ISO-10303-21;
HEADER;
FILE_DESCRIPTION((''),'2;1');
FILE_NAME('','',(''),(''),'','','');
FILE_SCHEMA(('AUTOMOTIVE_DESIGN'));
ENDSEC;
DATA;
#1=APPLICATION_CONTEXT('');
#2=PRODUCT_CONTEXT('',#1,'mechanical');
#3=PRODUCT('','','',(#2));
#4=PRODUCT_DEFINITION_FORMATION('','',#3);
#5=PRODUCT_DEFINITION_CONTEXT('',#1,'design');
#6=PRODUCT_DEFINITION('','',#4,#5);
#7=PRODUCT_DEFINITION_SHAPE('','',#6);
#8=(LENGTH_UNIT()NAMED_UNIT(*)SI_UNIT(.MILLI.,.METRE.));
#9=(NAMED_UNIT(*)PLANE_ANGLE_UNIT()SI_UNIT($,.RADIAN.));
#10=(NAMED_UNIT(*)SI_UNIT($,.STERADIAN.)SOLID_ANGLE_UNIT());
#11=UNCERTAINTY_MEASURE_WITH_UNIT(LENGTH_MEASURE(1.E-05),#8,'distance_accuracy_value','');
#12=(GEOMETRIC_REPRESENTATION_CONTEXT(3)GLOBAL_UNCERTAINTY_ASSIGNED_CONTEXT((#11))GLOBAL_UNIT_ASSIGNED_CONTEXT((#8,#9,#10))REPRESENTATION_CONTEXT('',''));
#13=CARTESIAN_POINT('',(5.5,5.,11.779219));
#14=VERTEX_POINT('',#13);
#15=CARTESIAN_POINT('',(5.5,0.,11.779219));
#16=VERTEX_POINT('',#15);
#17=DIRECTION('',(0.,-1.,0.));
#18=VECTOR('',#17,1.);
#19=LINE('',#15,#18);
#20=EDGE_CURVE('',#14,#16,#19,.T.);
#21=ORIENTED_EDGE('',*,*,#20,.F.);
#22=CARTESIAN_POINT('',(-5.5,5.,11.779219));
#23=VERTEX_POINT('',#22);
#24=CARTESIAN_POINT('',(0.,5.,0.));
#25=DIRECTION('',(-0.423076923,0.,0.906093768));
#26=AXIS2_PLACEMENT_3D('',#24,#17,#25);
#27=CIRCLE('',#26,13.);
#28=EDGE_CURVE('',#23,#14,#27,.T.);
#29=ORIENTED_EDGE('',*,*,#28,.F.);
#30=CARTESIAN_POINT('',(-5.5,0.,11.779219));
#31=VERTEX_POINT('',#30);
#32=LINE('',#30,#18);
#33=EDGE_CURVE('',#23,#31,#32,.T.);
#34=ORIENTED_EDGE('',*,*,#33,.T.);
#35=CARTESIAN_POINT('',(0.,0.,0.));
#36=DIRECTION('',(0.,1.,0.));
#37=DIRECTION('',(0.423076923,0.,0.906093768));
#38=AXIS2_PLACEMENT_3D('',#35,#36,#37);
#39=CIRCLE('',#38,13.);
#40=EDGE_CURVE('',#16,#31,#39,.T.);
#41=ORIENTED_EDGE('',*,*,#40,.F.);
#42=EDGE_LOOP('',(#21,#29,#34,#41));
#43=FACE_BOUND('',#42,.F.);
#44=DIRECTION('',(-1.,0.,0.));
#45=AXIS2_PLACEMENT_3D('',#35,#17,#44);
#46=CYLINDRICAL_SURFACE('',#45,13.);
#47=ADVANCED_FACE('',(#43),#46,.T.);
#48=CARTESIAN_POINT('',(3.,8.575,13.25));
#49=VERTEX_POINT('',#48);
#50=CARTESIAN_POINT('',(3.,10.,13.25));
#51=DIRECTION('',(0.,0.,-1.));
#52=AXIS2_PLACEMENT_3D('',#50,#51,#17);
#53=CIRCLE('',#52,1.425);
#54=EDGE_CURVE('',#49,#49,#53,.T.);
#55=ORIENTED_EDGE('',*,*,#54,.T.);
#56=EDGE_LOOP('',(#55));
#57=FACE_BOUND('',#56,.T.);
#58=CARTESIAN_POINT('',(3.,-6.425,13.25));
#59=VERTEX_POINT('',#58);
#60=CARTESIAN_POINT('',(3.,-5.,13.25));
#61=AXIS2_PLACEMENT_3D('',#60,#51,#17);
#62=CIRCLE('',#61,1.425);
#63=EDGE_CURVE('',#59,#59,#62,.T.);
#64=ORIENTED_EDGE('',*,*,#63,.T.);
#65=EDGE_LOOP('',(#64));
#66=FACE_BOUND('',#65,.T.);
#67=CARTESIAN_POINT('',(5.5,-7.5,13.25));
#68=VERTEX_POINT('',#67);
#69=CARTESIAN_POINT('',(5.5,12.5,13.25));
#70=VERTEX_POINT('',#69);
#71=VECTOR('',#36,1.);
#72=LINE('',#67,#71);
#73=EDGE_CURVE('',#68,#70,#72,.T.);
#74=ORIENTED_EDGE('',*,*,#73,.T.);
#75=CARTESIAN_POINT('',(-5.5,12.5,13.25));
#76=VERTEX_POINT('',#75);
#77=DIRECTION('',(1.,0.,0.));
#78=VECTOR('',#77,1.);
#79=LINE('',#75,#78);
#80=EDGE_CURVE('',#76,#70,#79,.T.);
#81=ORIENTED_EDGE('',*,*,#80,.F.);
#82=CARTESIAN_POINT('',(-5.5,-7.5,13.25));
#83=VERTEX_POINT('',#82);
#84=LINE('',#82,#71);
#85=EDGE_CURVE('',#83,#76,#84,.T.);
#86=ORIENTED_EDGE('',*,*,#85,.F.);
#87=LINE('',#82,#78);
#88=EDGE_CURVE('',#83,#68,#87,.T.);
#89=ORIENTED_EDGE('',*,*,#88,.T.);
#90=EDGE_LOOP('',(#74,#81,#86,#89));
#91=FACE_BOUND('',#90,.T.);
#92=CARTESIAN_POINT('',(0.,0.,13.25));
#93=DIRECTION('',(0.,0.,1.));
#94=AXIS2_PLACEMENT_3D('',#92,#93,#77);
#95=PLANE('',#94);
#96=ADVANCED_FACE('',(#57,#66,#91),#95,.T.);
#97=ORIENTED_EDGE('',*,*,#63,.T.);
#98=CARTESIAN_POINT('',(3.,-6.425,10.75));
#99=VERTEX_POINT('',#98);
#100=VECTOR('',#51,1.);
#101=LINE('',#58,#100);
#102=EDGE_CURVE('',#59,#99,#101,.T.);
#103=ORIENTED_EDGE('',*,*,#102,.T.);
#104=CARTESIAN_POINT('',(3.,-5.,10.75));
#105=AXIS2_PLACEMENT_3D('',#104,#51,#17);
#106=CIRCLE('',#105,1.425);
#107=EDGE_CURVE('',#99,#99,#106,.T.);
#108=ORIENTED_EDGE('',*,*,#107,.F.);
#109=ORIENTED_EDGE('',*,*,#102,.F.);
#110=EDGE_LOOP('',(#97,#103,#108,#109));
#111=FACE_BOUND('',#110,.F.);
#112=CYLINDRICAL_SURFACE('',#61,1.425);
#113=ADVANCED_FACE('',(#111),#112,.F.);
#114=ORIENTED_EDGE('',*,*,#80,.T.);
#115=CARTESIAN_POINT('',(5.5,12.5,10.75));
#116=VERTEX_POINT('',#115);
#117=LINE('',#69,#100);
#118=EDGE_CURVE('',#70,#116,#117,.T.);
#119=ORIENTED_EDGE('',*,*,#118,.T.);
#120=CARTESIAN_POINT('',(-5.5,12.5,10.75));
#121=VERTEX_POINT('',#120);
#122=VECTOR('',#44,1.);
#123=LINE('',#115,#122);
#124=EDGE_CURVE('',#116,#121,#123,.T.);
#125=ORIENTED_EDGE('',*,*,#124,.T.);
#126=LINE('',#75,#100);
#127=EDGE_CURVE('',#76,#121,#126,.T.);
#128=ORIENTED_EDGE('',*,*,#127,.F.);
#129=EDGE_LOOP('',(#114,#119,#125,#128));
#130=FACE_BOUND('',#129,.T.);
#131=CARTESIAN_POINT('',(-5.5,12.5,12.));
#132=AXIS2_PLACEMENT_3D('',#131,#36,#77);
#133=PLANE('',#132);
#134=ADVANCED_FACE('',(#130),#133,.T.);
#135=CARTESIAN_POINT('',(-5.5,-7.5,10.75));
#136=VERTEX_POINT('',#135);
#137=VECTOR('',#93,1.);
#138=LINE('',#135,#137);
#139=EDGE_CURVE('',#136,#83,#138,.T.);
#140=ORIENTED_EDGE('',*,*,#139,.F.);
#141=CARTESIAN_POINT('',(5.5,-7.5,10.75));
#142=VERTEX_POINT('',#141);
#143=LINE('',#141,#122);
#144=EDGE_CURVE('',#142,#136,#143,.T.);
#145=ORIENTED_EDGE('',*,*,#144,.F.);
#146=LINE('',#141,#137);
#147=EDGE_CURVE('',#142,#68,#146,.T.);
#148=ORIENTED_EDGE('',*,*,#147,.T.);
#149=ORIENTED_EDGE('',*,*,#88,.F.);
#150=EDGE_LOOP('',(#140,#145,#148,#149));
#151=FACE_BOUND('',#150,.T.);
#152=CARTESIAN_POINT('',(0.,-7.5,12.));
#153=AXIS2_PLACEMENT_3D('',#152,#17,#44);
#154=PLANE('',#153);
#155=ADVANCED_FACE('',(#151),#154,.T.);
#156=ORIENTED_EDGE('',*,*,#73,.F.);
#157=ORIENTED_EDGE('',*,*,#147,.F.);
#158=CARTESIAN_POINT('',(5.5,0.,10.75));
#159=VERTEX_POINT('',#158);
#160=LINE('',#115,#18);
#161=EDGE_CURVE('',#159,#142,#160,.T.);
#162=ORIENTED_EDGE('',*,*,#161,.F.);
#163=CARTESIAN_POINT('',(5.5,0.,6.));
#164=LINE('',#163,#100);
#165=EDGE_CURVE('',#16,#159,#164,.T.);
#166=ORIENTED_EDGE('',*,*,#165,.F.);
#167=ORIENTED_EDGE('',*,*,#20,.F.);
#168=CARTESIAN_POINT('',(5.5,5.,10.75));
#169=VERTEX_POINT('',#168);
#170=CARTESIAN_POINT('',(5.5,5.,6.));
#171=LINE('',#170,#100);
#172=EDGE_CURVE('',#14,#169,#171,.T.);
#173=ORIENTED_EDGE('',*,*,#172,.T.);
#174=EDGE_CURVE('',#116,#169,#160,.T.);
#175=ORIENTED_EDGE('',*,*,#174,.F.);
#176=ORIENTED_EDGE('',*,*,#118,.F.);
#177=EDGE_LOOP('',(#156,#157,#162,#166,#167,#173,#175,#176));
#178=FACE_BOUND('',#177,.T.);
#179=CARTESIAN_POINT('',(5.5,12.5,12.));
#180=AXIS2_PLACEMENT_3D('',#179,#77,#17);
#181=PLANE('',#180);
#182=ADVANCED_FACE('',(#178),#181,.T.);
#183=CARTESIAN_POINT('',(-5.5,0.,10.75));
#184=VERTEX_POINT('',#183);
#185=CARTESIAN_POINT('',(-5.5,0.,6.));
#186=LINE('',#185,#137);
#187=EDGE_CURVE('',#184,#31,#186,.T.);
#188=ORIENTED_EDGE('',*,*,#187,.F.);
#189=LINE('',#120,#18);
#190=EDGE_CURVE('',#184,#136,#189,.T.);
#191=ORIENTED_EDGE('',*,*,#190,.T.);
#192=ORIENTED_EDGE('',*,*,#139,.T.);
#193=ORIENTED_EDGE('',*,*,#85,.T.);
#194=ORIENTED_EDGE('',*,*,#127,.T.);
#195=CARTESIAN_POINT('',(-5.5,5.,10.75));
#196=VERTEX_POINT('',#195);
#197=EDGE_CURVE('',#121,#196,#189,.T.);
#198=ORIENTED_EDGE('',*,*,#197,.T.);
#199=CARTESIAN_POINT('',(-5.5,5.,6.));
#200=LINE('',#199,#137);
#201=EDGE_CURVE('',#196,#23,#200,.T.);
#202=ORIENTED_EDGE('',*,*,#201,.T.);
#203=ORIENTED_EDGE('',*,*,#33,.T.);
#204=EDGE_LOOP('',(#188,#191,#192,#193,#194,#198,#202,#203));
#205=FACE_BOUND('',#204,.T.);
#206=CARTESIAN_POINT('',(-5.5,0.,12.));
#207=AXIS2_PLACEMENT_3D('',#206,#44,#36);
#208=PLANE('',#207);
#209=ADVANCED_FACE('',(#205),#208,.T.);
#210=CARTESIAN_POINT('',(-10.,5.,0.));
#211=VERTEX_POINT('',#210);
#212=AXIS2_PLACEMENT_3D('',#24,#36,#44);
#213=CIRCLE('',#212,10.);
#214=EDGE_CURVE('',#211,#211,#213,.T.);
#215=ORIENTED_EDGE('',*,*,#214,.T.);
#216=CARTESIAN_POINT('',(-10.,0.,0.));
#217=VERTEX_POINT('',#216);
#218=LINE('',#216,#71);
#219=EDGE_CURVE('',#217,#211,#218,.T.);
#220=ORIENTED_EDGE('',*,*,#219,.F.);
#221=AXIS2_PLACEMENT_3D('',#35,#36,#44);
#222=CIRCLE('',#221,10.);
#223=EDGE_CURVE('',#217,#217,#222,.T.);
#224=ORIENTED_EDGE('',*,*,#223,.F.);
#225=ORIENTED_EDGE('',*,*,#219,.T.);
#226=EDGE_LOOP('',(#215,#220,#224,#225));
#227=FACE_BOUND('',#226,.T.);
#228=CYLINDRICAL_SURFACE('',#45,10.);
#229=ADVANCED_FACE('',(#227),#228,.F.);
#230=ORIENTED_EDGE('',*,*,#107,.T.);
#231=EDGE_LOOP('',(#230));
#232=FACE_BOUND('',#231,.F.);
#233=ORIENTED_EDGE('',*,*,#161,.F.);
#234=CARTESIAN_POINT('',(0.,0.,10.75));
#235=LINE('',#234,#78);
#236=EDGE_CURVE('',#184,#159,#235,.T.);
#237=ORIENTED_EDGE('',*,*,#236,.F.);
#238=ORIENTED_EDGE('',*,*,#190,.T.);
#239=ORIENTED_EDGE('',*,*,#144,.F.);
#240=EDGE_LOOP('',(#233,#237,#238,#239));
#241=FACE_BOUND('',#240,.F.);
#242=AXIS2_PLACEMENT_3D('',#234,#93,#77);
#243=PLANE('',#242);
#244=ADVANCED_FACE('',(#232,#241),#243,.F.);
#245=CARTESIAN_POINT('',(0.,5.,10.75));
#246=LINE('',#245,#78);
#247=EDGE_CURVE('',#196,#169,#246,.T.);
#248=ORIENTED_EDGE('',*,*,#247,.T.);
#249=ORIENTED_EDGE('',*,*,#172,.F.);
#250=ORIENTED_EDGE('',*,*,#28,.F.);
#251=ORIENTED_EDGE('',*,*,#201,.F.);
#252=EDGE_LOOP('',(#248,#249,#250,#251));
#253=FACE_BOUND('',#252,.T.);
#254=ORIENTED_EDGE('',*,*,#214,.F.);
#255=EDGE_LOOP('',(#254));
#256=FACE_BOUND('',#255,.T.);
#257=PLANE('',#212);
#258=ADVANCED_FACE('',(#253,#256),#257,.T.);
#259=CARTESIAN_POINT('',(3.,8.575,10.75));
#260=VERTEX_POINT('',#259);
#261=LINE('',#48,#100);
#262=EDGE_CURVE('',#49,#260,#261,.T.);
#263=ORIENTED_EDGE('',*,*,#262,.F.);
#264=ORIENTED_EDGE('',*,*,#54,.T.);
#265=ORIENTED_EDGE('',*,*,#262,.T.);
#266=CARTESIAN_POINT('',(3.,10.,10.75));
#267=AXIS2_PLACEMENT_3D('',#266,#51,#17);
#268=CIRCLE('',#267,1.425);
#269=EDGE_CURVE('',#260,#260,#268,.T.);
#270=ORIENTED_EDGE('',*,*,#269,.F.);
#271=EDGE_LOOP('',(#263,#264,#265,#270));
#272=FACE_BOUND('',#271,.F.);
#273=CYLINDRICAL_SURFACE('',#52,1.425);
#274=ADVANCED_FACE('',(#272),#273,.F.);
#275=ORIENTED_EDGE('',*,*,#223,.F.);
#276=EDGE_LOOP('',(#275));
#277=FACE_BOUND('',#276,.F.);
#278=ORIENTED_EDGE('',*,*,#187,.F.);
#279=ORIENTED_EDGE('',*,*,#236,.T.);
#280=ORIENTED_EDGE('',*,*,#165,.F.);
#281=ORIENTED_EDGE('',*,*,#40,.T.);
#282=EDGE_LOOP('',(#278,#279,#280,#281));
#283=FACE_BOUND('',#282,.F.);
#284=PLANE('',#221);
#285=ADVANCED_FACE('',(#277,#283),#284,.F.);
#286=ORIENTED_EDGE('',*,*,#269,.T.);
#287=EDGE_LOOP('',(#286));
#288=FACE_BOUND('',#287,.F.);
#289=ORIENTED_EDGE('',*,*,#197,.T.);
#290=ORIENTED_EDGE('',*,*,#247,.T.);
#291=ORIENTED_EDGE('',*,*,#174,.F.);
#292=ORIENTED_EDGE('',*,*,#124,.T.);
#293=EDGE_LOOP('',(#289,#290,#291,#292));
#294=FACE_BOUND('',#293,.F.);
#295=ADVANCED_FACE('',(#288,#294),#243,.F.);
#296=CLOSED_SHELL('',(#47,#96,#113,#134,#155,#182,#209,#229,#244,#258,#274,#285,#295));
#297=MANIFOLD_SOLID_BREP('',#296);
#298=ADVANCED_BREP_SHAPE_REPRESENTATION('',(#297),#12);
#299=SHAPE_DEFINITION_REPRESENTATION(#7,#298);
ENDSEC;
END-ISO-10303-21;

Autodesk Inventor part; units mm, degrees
ref_plane "YZ Plane" through (0, 0, 0) normal (1, 0, 0) x (0, 1, 0)
ref_plane "XZ Plane" through (0, 0, 0) normal (0, 1, 0) x (-1, 0, 0)
sketch "Sketch2" plane through (0, 0, 0) normal (0, 1, 0) x (-1, 0, 0)
  circle A0 centre (0, 0) radius 10
  circle A1 centre (0, 0) radius 13
  dimension "d7" = 20
  dimension "d8" = 26
extrude "Extrusion1" add sketch "Sketch2" along normal blind 5
sketch "Sketch3" plane through (0, 0, 0) normal (0, 0, 1) x (1, 0, 0)
  point P0 (0, 0)
ref_plane "Work Plane1" through (0, 0, 12) normal (0, 0, 1) x (1, 0, 0)
sketch "Sketch4" plane through (0, 0, 12) normal (0, 0, 1) x (1, 0, 0)
  point P0 (0, 0)
sketch "Sketch5" plane through (0, 0, 12) normal (0, 0, 1) x (1, 0, 0)
  line L0 (-13, 0) -> (13, 0) projected
  line L1 (5.5, 0) -> (-5.5, 0)
  line L2 (-5.5, 0) -> (-5.5, 12.5)
  line L3 (-5.5, 12.5) -> (5.5, 12.5)
  line L4 (5.5, 12.5) -> (5.5, 0)
  line L5 (-5.5, 0) -> (5.5, 0)
  line L6 (5.5, 0) -> (5.5, -7.5)
  line L7 (5.5, -7.5) -> (-5.5, -7.5)
  line L8 (-5.5, -7.5) -> (-5.5, 0)
  line L9 (0, -16.9) -> (0, 20.9) projected
  dimension "d16" = 11
  dimension "d17" = 7.5
  dimension "d18" = 12.5
  dimension "d19" = 5.5
extrude "Extrusion2" add sketch "Sketch5" along normal mid plane 2.5
sketch "Sketch6" plane through (0, 0, 13.25) normal (0, 0, 1) x (1, 0, 0)
  line L0 (5.5, -7.5) -> (5.5, 12.5) projected
  line L1 (5.5, 12.5) -> (-5.5, 12.5) projected
  line L2 (-5.5, -7.5) -> (5.5, -7.5) projected
  point P0 (0, 0)
  point P1 (3, 10)
  point P2 (3, -5)
  dimension "d20" = 2.5
  dimension "d21" = 2.5
  dimension "d22" = 2.5
  dimension "d30" = 2.5
hole "Hole1" at (3, -5, 13.25) at (3, 10, 13.25) direction (0, 0, -1) diameter 2.85 depth 8 tip angle 118
properties part number "Ring"
